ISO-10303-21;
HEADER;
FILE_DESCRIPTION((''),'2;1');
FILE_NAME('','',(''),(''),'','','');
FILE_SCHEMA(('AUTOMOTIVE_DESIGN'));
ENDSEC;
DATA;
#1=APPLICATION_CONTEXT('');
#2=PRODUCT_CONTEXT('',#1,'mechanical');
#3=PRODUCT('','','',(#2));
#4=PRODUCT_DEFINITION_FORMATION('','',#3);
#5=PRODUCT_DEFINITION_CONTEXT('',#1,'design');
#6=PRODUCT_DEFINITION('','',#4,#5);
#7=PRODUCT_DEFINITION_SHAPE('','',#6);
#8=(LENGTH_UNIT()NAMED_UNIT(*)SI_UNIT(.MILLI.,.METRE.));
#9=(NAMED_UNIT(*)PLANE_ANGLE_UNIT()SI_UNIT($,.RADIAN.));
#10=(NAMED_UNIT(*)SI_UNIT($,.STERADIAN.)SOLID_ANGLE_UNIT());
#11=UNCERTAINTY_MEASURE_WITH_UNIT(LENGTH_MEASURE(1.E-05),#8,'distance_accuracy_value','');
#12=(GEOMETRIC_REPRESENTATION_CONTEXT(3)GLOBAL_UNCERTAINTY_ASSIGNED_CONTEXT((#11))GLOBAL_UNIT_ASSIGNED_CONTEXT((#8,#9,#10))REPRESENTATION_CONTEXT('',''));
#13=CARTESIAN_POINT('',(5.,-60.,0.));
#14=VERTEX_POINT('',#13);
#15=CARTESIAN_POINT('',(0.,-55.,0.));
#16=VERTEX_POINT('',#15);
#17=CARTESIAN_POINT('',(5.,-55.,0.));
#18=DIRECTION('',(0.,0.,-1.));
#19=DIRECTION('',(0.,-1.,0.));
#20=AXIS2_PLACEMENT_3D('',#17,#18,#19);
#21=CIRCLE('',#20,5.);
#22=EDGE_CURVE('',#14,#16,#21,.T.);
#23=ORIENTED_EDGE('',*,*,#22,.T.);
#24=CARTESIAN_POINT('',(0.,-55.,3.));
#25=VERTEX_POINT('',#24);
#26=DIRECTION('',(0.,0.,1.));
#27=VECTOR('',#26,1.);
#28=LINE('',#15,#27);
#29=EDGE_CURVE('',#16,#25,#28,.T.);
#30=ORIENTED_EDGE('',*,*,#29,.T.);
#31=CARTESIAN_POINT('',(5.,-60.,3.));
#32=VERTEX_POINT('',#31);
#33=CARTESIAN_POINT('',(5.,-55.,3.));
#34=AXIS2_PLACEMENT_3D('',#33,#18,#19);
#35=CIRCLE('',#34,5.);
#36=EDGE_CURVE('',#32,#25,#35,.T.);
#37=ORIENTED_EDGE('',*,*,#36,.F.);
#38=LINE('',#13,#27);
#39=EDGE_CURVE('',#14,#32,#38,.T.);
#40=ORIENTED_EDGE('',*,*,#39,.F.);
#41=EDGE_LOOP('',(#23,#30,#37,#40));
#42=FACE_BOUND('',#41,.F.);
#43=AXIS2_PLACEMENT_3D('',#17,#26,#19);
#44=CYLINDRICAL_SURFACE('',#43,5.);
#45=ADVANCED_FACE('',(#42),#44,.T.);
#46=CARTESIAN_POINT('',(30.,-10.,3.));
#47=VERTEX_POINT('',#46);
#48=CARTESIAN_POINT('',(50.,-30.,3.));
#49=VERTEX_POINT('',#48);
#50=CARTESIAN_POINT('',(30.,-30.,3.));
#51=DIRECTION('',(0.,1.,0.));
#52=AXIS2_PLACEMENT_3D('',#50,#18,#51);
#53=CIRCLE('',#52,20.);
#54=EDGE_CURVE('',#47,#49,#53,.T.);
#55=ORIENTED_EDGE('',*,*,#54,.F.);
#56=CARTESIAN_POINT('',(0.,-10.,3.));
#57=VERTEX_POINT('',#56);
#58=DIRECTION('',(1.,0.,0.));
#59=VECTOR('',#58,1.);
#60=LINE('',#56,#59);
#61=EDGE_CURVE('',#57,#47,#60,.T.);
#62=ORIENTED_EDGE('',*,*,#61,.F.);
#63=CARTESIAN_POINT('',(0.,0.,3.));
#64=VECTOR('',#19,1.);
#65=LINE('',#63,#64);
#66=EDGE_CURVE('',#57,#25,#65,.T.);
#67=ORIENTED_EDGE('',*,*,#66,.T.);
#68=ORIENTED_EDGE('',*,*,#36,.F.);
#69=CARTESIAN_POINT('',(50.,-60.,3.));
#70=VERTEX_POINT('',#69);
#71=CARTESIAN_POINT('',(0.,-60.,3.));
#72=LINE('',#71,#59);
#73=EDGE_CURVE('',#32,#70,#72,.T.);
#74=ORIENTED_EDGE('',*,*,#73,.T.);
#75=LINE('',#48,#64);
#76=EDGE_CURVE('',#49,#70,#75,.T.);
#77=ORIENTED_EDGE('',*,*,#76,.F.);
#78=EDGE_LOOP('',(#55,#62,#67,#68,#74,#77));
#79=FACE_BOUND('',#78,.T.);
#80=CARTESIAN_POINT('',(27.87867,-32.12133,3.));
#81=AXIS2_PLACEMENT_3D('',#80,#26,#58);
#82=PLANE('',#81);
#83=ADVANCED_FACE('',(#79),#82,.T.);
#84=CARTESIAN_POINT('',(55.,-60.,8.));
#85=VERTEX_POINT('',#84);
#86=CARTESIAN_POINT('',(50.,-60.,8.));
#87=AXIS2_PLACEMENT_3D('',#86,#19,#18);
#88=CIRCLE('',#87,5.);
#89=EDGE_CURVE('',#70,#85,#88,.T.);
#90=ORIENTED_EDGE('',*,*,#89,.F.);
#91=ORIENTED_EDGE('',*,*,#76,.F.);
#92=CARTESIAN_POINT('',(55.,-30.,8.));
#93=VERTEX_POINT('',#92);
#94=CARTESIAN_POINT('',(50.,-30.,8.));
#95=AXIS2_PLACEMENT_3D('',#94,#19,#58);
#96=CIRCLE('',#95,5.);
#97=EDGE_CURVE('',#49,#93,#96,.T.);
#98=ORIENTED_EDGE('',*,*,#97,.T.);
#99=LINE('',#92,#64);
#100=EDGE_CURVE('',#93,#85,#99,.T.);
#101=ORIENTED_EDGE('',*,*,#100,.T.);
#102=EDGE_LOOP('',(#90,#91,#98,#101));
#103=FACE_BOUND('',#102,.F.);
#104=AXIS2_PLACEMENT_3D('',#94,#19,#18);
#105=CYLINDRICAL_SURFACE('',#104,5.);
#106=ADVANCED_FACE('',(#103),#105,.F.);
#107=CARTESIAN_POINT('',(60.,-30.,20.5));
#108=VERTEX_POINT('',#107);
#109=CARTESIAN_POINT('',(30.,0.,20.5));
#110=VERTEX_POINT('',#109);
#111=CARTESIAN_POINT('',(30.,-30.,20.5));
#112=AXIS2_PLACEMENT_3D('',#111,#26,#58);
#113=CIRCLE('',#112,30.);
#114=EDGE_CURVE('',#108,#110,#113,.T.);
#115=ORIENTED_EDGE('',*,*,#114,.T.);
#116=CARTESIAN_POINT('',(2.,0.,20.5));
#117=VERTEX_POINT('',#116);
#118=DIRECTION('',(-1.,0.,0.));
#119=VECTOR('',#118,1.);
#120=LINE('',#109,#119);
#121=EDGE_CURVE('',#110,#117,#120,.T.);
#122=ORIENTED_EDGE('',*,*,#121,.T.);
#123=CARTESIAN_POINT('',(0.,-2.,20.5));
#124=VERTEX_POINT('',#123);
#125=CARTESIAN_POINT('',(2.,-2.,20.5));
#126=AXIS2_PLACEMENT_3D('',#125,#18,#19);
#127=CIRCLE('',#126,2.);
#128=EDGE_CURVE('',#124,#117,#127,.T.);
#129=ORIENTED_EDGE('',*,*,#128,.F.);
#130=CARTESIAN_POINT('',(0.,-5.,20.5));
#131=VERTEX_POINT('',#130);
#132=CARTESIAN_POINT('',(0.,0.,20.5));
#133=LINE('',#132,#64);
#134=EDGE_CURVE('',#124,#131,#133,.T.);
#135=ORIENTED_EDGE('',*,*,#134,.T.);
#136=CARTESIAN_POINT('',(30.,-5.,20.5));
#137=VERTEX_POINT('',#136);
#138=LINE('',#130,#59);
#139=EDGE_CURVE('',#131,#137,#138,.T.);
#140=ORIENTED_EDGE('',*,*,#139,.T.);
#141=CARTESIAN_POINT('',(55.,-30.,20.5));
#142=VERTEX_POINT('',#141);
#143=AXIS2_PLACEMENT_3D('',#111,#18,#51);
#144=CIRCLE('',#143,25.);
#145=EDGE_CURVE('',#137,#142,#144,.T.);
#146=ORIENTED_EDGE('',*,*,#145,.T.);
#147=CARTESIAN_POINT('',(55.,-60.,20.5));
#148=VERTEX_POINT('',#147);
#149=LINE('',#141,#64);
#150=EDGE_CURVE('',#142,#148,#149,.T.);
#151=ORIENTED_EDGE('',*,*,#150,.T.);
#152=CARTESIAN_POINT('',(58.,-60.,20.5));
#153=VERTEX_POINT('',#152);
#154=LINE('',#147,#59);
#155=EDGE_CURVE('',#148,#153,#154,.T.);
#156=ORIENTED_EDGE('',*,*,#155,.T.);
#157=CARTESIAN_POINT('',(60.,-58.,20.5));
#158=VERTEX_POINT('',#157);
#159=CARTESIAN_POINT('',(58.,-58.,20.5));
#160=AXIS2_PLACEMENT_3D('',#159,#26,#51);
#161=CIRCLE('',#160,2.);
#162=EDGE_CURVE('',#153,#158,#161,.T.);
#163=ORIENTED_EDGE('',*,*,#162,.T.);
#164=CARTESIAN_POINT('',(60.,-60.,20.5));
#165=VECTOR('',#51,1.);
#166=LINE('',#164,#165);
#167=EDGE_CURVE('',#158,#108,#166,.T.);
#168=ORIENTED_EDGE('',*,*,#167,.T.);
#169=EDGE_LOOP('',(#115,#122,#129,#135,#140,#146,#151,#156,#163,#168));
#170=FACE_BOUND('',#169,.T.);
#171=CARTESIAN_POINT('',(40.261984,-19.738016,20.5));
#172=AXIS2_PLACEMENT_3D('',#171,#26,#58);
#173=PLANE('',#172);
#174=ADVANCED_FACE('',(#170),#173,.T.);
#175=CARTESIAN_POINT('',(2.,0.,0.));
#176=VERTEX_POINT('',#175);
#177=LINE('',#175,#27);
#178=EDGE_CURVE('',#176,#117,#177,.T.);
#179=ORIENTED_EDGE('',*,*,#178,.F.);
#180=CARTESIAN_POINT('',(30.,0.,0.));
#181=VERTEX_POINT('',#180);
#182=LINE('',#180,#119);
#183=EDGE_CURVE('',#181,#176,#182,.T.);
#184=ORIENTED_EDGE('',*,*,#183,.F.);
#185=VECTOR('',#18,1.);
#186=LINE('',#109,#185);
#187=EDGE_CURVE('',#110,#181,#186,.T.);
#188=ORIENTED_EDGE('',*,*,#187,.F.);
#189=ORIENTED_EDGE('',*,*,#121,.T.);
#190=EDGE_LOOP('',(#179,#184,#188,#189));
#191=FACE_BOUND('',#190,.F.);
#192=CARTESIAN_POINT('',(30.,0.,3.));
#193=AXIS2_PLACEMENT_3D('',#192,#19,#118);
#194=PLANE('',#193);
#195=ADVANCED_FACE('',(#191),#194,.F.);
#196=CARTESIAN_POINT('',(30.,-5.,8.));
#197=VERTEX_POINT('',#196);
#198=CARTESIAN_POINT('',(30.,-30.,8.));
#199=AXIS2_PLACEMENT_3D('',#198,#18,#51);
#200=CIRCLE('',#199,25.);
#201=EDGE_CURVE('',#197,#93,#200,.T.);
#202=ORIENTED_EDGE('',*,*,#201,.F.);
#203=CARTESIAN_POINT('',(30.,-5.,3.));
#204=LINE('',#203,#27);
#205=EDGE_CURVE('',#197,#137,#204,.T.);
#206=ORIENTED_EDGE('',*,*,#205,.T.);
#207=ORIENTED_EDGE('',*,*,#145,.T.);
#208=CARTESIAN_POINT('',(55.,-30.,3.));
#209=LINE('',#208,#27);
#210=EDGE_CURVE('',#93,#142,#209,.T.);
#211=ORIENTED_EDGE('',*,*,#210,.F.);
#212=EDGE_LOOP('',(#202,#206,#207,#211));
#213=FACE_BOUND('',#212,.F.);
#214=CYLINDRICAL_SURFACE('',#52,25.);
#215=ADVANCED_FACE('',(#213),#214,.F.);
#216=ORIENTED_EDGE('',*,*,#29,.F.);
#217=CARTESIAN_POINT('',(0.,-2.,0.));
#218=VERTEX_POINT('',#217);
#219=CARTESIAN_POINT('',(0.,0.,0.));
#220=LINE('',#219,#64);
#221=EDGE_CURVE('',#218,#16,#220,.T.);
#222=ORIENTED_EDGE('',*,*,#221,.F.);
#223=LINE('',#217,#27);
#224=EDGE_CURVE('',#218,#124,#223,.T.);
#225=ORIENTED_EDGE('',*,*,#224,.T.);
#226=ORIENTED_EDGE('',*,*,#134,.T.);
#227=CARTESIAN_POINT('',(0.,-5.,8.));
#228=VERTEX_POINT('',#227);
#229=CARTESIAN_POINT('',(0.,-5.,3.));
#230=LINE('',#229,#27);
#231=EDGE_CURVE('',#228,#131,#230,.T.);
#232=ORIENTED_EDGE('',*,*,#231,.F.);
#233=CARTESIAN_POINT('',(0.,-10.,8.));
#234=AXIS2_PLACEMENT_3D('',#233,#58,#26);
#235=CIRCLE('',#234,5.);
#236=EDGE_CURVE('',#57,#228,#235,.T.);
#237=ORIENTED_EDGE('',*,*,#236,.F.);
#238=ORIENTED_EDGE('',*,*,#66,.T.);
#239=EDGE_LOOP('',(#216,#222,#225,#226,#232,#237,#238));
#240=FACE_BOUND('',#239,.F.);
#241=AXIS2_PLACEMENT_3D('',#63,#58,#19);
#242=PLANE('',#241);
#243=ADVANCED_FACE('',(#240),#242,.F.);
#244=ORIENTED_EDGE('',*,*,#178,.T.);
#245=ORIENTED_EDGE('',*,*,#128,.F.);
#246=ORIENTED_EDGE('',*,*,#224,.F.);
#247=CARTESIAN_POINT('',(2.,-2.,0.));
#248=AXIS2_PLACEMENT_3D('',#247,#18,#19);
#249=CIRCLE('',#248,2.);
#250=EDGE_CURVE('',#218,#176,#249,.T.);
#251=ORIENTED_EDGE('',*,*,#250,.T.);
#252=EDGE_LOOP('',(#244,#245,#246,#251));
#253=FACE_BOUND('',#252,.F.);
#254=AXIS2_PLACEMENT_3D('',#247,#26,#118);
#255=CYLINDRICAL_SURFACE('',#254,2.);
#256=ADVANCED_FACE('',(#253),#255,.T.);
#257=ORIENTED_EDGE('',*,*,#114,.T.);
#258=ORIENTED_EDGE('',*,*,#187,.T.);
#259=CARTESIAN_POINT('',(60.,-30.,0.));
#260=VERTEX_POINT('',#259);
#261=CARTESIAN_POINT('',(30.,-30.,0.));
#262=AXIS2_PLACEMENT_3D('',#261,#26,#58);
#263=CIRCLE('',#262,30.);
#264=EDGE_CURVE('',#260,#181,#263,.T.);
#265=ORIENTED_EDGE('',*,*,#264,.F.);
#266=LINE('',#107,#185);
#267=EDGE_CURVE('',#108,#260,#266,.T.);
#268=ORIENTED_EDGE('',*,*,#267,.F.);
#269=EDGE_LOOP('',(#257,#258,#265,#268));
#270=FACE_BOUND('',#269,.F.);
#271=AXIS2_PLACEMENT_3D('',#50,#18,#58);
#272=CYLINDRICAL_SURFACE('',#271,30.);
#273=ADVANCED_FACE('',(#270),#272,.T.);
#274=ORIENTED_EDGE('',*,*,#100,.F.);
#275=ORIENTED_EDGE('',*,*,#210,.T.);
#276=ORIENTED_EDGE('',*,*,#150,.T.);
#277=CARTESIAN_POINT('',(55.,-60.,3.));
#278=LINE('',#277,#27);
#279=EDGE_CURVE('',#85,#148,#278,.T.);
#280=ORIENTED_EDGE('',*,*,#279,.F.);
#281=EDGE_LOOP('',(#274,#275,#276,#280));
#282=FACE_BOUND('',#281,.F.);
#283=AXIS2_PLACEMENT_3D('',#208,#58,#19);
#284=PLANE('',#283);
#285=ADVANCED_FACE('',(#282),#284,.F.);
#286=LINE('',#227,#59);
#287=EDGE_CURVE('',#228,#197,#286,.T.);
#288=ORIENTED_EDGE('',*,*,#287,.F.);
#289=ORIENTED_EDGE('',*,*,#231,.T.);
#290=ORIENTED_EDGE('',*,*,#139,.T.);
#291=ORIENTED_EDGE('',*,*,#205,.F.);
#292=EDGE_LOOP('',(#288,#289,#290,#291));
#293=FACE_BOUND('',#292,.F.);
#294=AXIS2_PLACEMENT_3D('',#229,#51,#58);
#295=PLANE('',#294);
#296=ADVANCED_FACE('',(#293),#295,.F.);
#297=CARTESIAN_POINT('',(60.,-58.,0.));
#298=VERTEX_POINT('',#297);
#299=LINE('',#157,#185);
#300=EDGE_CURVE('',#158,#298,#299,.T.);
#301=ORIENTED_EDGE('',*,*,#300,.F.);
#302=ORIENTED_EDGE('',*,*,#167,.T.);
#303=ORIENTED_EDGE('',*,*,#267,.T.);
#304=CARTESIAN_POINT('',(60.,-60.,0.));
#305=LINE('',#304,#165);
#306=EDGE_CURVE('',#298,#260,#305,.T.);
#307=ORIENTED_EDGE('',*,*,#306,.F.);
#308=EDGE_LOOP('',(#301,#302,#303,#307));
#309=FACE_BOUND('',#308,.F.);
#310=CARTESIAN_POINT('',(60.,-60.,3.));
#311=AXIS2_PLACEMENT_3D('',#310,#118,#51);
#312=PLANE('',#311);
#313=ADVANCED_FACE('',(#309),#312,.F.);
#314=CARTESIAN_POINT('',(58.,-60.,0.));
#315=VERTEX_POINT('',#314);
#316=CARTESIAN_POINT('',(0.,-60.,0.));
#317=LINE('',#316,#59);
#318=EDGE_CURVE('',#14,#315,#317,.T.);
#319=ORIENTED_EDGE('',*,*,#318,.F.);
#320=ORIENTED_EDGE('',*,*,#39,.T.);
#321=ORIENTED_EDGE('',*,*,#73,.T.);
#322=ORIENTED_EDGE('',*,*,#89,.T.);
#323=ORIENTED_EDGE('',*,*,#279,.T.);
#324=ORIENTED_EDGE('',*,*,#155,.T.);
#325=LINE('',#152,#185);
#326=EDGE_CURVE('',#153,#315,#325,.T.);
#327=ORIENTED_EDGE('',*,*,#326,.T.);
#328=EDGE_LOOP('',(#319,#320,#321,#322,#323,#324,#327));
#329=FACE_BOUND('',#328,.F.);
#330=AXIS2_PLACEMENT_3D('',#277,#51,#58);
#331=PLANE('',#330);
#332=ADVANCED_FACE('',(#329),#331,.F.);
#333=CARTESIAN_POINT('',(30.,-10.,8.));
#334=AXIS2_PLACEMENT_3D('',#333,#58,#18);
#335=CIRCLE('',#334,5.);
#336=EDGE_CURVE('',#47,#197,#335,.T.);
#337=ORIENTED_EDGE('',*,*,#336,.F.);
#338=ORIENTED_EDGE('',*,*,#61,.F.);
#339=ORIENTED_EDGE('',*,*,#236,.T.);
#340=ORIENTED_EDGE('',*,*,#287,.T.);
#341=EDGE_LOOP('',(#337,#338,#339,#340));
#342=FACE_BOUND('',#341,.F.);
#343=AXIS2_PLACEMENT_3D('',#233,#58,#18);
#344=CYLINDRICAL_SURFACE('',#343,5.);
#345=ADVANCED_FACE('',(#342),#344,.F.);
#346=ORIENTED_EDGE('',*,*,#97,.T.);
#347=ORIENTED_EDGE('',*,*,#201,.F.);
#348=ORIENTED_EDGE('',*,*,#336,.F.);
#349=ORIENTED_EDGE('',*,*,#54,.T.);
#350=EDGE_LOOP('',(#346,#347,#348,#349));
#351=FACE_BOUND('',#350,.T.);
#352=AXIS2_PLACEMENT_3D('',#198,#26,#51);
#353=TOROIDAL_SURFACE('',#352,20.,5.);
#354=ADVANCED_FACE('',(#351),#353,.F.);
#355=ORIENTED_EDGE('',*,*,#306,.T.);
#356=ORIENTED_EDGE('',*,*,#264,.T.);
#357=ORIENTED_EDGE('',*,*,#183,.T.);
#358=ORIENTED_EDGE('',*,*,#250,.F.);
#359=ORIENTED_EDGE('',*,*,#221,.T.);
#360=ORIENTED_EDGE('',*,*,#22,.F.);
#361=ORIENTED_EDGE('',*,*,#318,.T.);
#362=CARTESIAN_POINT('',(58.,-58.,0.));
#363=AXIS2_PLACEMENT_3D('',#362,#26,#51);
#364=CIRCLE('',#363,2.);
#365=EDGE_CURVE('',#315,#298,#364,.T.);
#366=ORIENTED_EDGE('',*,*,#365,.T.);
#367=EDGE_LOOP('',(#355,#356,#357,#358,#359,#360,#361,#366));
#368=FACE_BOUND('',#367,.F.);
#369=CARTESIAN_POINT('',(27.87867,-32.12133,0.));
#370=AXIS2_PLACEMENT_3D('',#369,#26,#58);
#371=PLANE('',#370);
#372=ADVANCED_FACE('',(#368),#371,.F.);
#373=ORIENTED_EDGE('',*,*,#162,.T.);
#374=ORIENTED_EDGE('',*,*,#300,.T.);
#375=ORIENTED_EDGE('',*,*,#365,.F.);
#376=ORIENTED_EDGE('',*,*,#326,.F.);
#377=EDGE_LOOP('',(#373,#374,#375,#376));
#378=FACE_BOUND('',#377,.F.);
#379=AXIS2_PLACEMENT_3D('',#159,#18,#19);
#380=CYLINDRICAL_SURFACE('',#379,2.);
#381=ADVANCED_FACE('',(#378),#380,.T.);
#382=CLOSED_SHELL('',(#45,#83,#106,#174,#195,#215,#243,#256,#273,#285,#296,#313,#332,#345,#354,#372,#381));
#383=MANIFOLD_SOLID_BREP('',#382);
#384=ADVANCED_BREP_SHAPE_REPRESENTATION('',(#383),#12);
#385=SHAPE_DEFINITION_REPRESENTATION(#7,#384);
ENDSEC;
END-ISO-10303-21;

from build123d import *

# Parameters (mm, degrees)
F1_DEPTH = 3
F3_DEPTH = 17.5
F4_R     = 5
F5_R     = 2
F6_R     = 2
F7_R     = 5


with BuildPart() as f1:
    # F0 (on Top) → F1 (new body)
    with BuildSketch(Plane.XY):
        with BuildLine():
            Line((30, 0), (0, 0))
            Line((0, 0), (0, -60))
            Line((0, -60), (60, -60))
            Line((60, -60), (60, -30))
            ThreePointArc((60, -30), (51.2132034356, -8.7867965644), (30, 0))
        make_face()
    extrude(amount=F1_DEPTH)

    # F2 (on face) → F3 (join)
    with BuildSketch(Plane.XY.offset(3)):
        with BuildLine():
            Line((30, 0), (0, 0))
            Line((0, 0), (0, -5))
            Line((0, -5), (30, -5))
            ThreePointArc((30, -5), (47.6776695297, -12.3223304703), (55, -30))
            Line((55, -30), (55, -60))
            Line((55, -60), (60, -60))
            Line((60, -60), (60, -30))
            ThreePointArc((60, -30), (51.2132034356, -8.7867965644), (30, 0))
        make_face()
    extrude(amount=F3_DEPTH)

    # F4
    f4_edges = [f1.edges().sort_by_distance(p)[0] for p in [
        (0, -60, 1.5),
    ]]
    fillet(f4_edges, radius=F4_R)

    # F5
    f5_edges = [f1.edges().sort_by_distance(p)[0] for p in [
        (0, 0, 10.25),
    ]]
    fillet(f5_edges, radius=F5_R)

    # F6
    f6_edges = [f1.edges().sort_by_distance(p)[0] for p in [
        (60, -60, 10.25),
    ]]
    fillet(f6_edges, radius=F6_R)

    # F7
    f7_edges = [f1.edges().sort_by_distance(p)[0] for p in [
        (15, -5, 3),
        (47.67767, -12.32233, 3),
        (55, -45, 3),
    ]]
    fillet(f7_edges, radius=F7_R)


solid = f1.part
